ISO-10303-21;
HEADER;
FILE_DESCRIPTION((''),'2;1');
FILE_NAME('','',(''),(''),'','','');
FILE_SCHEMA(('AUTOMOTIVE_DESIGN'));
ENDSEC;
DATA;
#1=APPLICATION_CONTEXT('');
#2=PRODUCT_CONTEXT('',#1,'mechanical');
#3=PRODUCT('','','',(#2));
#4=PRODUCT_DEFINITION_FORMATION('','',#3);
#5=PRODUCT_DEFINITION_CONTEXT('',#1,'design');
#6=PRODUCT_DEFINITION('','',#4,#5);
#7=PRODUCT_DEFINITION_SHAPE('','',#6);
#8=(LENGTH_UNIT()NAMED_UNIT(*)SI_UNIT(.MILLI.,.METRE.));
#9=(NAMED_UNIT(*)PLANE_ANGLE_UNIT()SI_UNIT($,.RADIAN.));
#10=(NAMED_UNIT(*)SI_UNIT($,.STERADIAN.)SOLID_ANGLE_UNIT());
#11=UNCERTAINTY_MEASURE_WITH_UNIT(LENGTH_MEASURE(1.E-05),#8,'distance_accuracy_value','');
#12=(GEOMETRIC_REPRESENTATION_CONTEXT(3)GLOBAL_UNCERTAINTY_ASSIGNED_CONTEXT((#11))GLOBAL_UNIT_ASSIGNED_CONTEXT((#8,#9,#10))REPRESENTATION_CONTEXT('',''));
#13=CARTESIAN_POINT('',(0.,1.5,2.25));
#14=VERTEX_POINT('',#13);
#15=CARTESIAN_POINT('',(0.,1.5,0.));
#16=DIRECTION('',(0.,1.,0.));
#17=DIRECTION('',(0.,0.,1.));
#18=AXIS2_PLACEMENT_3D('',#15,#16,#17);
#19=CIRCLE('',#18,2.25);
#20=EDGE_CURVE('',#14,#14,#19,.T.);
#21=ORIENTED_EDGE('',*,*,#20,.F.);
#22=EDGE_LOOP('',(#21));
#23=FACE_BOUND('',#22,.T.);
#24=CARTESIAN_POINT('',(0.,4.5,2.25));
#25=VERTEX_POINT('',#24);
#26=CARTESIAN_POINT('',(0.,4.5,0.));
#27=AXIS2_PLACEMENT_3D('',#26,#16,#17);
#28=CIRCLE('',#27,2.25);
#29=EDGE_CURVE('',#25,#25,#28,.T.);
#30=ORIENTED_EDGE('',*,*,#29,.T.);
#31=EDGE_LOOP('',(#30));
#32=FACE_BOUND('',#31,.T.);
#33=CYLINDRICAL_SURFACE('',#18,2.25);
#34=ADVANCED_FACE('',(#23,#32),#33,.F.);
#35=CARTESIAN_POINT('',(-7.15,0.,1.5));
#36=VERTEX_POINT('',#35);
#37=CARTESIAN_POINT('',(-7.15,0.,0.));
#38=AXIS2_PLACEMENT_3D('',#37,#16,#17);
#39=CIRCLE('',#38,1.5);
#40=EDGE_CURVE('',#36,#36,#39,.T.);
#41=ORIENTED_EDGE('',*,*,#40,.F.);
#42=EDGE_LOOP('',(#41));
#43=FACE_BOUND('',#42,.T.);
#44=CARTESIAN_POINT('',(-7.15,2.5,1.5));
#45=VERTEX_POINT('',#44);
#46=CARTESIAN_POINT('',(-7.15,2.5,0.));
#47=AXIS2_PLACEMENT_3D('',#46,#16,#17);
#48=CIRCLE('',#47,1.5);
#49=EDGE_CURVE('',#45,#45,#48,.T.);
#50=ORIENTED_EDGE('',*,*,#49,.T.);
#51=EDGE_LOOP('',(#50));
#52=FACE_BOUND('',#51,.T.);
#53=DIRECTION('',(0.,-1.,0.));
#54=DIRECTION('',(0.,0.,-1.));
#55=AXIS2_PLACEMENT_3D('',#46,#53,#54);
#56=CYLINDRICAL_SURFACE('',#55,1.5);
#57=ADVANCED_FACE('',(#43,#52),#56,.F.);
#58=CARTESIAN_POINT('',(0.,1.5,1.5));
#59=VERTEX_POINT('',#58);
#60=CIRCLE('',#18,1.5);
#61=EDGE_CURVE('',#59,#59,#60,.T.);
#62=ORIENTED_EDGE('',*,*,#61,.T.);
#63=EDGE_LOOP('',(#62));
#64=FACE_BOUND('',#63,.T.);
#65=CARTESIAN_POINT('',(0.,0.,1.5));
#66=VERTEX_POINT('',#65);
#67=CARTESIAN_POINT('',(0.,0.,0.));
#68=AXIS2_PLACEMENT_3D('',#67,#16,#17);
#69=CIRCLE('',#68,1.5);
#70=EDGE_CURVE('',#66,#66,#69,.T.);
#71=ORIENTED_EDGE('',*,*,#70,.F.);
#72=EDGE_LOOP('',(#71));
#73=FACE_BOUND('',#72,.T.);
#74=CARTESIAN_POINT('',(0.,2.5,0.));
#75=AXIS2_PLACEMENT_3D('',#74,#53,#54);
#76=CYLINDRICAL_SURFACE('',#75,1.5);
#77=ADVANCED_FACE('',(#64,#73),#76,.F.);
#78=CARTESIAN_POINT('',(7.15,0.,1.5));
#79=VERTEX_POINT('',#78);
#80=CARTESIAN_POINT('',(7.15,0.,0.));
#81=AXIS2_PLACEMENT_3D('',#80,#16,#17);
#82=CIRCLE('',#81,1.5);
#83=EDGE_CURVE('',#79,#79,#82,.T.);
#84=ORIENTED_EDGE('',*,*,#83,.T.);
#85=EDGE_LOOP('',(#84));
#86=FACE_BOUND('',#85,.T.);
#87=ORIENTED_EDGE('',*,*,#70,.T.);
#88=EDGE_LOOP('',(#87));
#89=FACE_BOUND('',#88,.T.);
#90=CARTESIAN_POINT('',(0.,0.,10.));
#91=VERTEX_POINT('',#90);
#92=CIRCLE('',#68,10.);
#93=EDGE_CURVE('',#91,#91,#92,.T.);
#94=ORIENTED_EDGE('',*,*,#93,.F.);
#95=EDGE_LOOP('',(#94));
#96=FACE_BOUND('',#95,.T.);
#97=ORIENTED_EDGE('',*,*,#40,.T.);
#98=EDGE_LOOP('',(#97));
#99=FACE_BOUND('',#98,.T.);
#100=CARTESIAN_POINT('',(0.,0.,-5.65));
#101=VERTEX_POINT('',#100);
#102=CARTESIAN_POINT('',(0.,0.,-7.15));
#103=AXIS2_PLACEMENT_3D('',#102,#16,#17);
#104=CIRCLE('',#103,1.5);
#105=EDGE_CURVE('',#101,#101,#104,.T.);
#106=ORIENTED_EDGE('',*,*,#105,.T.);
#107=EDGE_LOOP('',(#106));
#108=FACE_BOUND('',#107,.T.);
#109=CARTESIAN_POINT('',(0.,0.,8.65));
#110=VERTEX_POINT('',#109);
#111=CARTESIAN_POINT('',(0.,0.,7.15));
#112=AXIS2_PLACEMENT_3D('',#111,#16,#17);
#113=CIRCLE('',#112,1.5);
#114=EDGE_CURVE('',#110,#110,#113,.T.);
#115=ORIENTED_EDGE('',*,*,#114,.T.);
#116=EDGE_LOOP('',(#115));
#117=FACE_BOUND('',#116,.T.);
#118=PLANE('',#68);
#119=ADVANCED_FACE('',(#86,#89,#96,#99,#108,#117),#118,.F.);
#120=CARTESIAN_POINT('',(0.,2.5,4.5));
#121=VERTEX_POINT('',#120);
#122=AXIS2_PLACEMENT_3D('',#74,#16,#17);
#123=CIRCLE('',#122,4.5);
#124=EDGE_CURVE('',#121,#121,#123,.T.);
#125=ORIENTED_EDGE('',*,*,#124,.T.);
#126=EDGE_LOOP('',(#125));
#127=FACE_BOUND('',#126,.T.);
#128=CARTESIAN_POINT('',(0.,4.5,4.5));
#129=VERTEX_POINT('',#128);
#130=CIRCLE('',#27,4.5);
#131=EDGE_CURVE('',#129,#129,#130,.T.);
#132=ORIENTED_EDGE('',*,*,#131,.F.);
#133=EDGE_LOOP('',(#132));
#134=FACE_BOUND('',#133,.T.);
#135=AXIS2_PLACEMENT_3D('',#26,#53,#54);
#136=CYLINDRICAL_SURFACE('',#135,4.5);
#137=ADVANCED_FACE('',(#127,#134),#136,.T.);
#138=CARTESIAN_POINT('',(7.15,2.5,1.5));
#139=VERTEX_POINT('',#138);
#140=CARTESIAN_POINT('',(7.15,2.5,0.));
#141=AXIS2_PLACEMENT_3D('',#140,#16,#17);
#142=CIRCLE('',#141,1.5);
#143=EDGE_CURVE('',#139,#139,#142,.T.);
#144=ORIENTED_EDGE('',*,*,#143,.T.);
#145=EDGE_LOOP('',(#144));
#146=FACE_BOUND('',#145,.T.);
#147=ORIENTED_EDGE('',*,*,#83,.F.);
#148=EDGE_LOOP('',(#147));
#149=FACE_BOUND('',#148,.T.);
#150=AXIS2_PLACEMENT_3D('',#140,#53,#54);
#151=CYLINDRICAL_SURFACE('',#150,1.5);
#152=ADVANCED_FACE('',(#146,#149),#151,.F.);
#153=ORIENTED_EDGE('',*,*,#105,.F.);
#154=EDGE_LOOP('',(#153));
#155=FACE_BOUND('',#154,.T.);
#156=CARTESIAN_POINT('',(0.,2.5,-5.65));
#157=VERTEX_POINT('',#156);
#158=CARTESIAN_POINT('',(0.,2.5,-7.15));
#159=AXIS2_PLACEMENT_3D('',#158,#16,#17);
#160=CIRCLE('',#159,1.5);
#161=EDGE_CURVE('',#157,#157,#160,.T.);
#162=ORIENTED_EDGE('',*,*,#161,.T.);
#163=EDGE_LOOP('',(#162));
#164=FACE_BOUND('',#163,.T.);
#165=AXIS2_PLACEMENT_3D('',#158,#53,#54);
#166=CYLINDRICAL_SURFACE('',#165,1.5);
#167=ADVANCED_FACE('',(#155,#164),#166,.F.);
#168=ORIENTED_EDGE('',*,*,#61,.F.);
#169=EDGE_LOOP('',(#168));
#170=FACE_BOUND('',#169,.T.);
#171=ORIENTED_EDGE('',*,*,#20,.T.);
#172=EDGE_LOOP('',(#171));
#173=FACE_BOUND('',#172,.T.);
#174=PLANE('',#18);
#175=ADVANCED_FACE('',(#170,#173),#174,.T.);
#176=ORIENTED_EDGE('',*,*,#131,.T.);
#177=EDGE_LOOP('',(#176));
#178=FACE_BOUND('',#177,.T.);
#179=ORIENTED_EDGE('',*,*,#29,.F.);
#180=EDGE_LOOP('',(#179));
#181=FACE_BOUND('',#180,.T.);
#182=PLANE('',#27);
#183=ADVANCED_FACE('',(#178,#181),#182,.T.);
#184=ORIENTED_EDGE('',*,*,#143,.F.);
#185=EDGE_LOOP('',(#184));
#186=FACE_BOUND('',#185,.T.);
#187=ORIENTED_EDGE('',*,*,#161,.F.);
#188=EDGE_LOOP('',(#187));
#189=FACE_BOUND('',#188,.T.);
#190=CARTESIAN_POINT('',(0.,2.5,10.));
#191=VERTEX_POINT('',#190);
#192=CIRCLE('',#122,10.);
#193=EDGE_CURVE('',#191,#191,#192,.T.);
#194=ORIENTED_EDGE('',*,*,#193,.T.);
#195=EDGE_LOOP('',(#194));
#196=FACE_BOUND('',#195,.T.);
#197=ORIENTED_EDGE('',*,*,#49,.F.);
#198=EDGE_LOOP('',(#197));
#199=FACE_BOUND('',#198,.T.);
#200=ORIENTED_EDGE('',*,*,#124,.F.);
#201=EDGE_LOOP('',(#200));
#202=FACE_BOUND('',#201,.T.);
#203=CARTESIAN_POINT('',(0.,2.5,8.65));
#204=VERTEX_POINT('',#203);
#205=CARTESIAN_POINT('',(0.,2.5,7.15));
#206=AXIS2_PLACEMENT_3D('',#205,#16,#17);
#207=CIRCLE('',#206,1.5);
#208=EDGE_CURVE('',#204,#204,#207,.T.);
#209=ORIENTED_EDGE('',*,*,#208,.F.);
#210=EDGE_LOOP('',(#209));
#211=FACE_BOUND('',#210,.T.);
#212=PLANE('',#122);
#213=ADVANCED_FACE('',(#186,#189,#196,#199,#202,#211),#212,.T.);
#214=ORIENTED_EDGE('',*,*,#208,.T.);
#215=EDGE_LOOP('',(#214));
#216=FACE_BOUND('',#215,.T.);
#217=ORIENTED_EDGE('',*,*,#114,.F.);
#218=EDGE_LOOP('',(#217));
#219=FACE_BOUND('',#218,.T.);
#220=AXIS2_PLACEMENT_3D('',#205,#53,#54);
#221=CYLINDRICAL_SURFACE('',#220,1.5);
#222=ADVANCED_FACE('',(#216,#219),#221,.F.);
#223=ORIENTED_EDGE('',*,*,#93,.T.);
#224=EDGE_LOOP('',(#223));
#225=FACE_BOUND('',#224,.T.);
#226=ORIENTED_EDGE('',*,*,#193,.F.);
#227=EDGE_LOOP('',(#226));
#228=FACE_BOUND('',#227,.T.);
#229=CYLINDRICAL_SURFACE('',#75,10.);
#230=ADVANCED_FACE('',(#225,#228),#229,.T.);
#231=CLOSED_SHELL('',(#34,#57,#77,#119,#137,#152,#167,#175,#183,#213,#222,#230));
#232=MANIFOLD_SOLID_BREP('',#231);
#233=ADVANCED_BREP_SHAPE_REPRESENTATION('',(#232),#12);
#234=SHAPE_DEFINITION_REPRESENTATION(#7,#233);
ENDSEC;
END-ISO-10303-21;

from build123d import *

# Parameters (mm, degrees)
SKETCH1_R           = 10
SKETCH1_R_2         = 1.5
BOSS_EXTRUDE1_DEPTH = 2.5
SKETCH2_R           = 4.5
BOSS_EXTRUDE2_DEPTH = 2
SKETCH3_R           = 2.25
CUT_EXTRUDE1_DEPTH  = 3


with BuildPart() as part:
    # Sketch1 → Boss-Extrude1 (new body)
    with BuildSketch(Plane(origin=(0, 0, 0), x_dir=(1, 0, 0), z_dir=(0, 1, 0))):
        with Locations(Location((0, 0, 0), (0, 0, 270))):
            Circle(SKETCH1_R)
        with Locations(Location((0, 0, 0), (0, 0, 270))):
            Circle(SKETCH1_R_2, mode=Mode.SUBTRACT)
        with Locations(Location((0, 7.15, 0), (0, 0, 270))):
            Circle(SKETCH1_R_2, mode=Mode.SUBTRACT)
        with Locations(Location((7.15, 0, 0), (0, 0, 270))):
            Circle(SKETCH1_R_2, mode=Mode.SUBTRACT)
        with Locations(Location((0, -7.15, 0), (0, 0, 270))):
            Circle(SKETCH1_R_2, mode=Mode.SUBTRACT)
        with Locations(Location((-7.15, 0, 0), (0, 0, 270))):
            Circle(SKETCH1_R_2, mode=Mode.SUBTRACT)
    extrude(amount=BOSS_EXTRUDE1_DEPTH)

    # Sketch2 → Boss-Extrude2 (add)
    with BuildSketch(Plane(origin=(0, 2.5, 0), x_dir=(1, 0, 0), z_dir=(0, 1, 0))):
        with Locations(Location((0, 0, 0), (0, 0, 270))):
            Circle(SKETCH2_R)
    extrude(amount=BOSS_EXTRUDE2_DEPTH)

    # Sketch3 → Cut-Extrude1 (cut)
    with BuildSketch(Plane(origin=(0, 4.5, 0), x_dir=(1, 0, 0), z_dir=(0, 1, 0))):
        with Locations(Location((0, 0, 0), (0, 0, 270))):
            Circle(SKETCH3_R)
    extrude(amount=-CUT_EXTRUDE1_DEPTH, mode=Mode.SUBTRACT)


solid = part.part
